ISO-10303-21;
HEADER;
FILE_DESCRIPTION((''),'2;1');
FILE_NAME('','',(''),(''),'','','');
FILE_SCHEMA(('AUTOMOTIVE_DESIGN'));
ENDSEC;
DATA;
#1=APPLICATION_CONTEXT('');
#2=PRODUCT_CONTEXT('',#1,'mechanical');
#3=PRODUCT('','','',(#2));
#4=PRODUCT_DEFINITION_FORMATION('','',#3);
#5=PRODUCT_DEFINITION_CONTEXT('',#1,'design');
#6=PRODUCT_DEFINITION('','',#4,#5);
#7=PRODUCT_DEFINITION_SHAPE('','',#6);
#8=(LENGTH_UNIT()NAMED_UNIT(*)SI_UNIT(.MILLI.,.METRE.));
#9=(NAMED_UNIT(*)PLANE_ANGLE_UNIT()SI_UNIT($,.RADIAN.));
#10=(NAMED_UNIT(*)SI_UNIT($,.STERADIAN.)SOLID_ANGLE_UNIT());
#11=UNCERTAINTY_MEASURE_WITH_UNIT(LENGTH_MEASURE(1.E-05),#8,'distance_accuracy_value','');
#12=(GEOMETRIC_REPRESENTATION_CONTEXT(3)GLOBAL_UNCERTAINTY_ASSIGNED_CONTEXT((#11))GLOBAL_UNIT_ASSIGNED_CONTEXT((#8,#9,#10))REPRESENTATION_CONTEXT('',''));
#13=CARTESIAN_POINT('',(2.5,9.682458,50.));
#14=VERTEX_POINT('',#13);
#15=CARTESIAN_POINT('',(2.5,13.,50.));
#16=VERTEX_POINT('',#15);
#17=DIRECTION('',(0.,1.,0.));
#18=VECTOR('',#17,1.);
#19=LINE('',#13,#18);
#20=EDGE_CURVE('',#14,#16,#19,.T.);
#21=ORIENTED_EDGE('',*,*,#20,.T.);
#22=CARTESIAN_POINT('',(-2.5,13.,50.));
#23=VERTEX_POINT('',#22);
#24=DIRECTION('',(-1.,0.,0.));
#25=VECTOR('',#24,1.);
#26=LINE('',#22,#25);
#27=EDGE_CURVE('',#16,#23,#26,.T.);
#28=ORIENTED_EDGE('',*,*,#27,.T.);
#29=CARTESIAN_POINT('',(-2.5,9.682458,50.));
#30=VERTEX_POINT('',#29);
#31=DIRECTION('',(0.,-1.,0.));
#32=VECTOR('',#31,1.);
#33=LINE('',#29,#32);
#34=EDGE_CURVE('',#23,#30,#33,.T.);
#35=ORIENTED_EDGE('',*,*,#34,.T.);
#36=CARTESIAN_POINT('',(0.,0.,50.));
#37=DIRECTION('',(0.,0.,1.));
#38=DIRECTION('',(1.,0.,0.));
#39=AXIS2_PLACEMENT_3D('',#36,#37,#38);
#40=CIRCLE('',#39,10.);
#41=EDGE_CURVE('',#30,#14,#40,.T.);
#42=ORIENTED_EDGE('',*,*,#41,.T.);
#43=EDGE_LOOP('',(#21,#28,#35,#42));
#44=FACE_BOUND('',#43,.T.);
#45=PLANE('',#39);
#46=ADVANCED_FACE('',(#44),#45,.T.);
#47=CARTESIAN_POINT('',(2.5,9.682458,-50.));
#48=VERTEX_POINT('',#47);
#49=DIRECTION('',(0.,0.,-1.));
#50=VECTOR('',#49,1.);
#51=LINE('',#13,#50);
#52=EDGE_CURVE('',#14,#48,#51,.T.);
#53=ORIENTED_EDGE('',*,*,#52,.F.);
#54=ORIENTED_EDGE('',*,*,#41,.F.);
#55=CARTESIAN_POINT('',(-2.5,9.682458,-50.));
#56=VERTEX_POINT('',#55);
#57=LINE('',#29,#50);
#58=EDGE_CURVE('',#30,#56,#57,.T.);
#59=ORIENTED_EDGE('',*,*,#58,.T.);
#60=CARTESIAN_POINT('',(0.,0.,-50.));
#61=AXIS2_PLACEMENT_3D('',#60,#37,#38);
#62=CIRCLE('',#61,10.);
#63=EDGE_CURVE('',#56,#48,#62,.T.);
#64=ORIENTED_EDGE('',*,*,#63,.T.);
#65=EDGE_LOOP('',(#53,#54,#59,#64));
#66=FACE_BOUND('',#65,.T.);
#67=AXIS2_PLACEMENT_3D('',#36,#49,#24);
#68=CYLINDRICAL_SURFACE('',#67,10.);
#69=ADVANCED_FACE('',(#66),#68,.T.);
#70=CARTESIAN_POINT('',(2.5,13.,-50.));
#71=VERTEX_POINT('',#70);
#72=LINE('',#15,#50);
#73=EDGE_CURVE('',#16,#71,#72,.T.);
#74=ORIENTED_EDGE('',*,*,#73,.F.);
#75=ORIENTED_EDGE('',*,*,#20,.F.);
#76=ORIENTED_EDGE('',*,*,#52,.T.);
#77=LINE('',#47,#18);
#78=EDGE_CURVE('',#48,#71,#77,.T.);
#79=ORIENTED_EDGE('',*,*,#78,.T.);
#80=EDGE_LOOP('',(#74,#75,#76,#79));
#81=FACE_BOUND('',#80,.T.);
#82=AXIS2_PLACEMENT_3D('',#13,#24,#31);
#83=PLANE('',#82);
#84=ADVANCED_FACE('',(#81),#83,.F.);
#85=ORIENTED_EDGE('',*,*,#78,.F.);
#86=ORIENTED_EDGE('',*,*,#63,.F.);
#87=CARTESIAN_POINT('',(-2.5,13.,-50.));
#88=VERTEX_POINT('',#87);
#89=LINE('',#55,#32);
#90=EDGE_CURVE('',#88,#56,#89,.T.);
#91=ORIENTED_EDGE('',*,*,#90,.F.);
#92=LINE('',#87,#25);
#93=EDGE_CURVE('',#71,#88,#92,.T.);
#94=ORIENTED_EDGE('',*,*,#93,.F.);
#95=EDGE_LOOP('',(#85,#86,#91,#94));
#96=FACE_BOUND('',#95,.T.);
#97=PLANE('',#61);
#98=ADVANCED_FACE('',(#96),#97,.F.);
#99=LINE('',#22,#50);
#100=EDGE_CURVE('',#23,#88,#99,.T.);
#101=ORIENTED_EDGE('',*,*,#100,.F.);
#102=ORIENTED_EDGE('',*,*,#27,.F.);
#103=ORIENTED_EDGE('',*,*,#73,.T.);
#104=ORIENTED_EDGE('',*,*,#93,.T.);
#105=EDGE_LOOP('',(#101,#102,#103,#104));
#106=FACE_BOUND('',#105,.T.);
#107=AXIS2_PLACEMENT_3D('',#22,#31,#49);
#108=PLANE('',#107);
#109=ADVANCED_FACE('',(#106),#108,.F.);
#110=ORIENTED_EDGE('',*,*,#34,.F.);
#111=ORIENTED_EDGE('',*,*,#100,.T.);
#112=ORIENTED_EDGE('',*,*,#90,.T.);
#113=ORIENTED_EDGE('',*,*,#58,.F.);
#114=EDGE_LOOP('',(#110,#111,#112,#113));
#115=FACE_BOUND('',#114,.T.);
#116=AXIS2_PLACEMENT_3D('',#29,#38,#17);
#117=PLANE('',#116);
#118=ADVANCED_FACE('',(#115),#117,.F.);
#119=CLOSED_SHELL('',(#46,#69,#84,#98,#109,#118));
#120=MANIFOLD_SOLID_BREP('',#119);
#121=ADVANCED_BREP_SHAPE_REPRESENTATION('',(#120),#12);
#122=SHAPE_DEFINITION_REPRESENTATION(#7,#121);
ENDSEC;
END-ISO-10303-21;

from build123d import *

# Parameters (mm, degrees)
BOSS_EXTRUDE1_DEPTH = 50


with BuildPart() as part:
    # Sketch1 → Boss-Extrude1 (new body, symmetric)
    with BuildSketch(Plane.XY):
        with BuildLine():
            Line((2.5, 9.682458366), (2.5, 13))
            Line((2.5, 13), (-2.5, 13))
            Line((-2.5, 13), (-2.5, 9.682458366))
            ThreePointArc((-2.5, 9.682458366), (0, -10), (2.5, 9.682458366))
        make_face()
    extrude(amount=BOSS_EXTRUDE1_DEPTH, both=True)


solid = part.part
